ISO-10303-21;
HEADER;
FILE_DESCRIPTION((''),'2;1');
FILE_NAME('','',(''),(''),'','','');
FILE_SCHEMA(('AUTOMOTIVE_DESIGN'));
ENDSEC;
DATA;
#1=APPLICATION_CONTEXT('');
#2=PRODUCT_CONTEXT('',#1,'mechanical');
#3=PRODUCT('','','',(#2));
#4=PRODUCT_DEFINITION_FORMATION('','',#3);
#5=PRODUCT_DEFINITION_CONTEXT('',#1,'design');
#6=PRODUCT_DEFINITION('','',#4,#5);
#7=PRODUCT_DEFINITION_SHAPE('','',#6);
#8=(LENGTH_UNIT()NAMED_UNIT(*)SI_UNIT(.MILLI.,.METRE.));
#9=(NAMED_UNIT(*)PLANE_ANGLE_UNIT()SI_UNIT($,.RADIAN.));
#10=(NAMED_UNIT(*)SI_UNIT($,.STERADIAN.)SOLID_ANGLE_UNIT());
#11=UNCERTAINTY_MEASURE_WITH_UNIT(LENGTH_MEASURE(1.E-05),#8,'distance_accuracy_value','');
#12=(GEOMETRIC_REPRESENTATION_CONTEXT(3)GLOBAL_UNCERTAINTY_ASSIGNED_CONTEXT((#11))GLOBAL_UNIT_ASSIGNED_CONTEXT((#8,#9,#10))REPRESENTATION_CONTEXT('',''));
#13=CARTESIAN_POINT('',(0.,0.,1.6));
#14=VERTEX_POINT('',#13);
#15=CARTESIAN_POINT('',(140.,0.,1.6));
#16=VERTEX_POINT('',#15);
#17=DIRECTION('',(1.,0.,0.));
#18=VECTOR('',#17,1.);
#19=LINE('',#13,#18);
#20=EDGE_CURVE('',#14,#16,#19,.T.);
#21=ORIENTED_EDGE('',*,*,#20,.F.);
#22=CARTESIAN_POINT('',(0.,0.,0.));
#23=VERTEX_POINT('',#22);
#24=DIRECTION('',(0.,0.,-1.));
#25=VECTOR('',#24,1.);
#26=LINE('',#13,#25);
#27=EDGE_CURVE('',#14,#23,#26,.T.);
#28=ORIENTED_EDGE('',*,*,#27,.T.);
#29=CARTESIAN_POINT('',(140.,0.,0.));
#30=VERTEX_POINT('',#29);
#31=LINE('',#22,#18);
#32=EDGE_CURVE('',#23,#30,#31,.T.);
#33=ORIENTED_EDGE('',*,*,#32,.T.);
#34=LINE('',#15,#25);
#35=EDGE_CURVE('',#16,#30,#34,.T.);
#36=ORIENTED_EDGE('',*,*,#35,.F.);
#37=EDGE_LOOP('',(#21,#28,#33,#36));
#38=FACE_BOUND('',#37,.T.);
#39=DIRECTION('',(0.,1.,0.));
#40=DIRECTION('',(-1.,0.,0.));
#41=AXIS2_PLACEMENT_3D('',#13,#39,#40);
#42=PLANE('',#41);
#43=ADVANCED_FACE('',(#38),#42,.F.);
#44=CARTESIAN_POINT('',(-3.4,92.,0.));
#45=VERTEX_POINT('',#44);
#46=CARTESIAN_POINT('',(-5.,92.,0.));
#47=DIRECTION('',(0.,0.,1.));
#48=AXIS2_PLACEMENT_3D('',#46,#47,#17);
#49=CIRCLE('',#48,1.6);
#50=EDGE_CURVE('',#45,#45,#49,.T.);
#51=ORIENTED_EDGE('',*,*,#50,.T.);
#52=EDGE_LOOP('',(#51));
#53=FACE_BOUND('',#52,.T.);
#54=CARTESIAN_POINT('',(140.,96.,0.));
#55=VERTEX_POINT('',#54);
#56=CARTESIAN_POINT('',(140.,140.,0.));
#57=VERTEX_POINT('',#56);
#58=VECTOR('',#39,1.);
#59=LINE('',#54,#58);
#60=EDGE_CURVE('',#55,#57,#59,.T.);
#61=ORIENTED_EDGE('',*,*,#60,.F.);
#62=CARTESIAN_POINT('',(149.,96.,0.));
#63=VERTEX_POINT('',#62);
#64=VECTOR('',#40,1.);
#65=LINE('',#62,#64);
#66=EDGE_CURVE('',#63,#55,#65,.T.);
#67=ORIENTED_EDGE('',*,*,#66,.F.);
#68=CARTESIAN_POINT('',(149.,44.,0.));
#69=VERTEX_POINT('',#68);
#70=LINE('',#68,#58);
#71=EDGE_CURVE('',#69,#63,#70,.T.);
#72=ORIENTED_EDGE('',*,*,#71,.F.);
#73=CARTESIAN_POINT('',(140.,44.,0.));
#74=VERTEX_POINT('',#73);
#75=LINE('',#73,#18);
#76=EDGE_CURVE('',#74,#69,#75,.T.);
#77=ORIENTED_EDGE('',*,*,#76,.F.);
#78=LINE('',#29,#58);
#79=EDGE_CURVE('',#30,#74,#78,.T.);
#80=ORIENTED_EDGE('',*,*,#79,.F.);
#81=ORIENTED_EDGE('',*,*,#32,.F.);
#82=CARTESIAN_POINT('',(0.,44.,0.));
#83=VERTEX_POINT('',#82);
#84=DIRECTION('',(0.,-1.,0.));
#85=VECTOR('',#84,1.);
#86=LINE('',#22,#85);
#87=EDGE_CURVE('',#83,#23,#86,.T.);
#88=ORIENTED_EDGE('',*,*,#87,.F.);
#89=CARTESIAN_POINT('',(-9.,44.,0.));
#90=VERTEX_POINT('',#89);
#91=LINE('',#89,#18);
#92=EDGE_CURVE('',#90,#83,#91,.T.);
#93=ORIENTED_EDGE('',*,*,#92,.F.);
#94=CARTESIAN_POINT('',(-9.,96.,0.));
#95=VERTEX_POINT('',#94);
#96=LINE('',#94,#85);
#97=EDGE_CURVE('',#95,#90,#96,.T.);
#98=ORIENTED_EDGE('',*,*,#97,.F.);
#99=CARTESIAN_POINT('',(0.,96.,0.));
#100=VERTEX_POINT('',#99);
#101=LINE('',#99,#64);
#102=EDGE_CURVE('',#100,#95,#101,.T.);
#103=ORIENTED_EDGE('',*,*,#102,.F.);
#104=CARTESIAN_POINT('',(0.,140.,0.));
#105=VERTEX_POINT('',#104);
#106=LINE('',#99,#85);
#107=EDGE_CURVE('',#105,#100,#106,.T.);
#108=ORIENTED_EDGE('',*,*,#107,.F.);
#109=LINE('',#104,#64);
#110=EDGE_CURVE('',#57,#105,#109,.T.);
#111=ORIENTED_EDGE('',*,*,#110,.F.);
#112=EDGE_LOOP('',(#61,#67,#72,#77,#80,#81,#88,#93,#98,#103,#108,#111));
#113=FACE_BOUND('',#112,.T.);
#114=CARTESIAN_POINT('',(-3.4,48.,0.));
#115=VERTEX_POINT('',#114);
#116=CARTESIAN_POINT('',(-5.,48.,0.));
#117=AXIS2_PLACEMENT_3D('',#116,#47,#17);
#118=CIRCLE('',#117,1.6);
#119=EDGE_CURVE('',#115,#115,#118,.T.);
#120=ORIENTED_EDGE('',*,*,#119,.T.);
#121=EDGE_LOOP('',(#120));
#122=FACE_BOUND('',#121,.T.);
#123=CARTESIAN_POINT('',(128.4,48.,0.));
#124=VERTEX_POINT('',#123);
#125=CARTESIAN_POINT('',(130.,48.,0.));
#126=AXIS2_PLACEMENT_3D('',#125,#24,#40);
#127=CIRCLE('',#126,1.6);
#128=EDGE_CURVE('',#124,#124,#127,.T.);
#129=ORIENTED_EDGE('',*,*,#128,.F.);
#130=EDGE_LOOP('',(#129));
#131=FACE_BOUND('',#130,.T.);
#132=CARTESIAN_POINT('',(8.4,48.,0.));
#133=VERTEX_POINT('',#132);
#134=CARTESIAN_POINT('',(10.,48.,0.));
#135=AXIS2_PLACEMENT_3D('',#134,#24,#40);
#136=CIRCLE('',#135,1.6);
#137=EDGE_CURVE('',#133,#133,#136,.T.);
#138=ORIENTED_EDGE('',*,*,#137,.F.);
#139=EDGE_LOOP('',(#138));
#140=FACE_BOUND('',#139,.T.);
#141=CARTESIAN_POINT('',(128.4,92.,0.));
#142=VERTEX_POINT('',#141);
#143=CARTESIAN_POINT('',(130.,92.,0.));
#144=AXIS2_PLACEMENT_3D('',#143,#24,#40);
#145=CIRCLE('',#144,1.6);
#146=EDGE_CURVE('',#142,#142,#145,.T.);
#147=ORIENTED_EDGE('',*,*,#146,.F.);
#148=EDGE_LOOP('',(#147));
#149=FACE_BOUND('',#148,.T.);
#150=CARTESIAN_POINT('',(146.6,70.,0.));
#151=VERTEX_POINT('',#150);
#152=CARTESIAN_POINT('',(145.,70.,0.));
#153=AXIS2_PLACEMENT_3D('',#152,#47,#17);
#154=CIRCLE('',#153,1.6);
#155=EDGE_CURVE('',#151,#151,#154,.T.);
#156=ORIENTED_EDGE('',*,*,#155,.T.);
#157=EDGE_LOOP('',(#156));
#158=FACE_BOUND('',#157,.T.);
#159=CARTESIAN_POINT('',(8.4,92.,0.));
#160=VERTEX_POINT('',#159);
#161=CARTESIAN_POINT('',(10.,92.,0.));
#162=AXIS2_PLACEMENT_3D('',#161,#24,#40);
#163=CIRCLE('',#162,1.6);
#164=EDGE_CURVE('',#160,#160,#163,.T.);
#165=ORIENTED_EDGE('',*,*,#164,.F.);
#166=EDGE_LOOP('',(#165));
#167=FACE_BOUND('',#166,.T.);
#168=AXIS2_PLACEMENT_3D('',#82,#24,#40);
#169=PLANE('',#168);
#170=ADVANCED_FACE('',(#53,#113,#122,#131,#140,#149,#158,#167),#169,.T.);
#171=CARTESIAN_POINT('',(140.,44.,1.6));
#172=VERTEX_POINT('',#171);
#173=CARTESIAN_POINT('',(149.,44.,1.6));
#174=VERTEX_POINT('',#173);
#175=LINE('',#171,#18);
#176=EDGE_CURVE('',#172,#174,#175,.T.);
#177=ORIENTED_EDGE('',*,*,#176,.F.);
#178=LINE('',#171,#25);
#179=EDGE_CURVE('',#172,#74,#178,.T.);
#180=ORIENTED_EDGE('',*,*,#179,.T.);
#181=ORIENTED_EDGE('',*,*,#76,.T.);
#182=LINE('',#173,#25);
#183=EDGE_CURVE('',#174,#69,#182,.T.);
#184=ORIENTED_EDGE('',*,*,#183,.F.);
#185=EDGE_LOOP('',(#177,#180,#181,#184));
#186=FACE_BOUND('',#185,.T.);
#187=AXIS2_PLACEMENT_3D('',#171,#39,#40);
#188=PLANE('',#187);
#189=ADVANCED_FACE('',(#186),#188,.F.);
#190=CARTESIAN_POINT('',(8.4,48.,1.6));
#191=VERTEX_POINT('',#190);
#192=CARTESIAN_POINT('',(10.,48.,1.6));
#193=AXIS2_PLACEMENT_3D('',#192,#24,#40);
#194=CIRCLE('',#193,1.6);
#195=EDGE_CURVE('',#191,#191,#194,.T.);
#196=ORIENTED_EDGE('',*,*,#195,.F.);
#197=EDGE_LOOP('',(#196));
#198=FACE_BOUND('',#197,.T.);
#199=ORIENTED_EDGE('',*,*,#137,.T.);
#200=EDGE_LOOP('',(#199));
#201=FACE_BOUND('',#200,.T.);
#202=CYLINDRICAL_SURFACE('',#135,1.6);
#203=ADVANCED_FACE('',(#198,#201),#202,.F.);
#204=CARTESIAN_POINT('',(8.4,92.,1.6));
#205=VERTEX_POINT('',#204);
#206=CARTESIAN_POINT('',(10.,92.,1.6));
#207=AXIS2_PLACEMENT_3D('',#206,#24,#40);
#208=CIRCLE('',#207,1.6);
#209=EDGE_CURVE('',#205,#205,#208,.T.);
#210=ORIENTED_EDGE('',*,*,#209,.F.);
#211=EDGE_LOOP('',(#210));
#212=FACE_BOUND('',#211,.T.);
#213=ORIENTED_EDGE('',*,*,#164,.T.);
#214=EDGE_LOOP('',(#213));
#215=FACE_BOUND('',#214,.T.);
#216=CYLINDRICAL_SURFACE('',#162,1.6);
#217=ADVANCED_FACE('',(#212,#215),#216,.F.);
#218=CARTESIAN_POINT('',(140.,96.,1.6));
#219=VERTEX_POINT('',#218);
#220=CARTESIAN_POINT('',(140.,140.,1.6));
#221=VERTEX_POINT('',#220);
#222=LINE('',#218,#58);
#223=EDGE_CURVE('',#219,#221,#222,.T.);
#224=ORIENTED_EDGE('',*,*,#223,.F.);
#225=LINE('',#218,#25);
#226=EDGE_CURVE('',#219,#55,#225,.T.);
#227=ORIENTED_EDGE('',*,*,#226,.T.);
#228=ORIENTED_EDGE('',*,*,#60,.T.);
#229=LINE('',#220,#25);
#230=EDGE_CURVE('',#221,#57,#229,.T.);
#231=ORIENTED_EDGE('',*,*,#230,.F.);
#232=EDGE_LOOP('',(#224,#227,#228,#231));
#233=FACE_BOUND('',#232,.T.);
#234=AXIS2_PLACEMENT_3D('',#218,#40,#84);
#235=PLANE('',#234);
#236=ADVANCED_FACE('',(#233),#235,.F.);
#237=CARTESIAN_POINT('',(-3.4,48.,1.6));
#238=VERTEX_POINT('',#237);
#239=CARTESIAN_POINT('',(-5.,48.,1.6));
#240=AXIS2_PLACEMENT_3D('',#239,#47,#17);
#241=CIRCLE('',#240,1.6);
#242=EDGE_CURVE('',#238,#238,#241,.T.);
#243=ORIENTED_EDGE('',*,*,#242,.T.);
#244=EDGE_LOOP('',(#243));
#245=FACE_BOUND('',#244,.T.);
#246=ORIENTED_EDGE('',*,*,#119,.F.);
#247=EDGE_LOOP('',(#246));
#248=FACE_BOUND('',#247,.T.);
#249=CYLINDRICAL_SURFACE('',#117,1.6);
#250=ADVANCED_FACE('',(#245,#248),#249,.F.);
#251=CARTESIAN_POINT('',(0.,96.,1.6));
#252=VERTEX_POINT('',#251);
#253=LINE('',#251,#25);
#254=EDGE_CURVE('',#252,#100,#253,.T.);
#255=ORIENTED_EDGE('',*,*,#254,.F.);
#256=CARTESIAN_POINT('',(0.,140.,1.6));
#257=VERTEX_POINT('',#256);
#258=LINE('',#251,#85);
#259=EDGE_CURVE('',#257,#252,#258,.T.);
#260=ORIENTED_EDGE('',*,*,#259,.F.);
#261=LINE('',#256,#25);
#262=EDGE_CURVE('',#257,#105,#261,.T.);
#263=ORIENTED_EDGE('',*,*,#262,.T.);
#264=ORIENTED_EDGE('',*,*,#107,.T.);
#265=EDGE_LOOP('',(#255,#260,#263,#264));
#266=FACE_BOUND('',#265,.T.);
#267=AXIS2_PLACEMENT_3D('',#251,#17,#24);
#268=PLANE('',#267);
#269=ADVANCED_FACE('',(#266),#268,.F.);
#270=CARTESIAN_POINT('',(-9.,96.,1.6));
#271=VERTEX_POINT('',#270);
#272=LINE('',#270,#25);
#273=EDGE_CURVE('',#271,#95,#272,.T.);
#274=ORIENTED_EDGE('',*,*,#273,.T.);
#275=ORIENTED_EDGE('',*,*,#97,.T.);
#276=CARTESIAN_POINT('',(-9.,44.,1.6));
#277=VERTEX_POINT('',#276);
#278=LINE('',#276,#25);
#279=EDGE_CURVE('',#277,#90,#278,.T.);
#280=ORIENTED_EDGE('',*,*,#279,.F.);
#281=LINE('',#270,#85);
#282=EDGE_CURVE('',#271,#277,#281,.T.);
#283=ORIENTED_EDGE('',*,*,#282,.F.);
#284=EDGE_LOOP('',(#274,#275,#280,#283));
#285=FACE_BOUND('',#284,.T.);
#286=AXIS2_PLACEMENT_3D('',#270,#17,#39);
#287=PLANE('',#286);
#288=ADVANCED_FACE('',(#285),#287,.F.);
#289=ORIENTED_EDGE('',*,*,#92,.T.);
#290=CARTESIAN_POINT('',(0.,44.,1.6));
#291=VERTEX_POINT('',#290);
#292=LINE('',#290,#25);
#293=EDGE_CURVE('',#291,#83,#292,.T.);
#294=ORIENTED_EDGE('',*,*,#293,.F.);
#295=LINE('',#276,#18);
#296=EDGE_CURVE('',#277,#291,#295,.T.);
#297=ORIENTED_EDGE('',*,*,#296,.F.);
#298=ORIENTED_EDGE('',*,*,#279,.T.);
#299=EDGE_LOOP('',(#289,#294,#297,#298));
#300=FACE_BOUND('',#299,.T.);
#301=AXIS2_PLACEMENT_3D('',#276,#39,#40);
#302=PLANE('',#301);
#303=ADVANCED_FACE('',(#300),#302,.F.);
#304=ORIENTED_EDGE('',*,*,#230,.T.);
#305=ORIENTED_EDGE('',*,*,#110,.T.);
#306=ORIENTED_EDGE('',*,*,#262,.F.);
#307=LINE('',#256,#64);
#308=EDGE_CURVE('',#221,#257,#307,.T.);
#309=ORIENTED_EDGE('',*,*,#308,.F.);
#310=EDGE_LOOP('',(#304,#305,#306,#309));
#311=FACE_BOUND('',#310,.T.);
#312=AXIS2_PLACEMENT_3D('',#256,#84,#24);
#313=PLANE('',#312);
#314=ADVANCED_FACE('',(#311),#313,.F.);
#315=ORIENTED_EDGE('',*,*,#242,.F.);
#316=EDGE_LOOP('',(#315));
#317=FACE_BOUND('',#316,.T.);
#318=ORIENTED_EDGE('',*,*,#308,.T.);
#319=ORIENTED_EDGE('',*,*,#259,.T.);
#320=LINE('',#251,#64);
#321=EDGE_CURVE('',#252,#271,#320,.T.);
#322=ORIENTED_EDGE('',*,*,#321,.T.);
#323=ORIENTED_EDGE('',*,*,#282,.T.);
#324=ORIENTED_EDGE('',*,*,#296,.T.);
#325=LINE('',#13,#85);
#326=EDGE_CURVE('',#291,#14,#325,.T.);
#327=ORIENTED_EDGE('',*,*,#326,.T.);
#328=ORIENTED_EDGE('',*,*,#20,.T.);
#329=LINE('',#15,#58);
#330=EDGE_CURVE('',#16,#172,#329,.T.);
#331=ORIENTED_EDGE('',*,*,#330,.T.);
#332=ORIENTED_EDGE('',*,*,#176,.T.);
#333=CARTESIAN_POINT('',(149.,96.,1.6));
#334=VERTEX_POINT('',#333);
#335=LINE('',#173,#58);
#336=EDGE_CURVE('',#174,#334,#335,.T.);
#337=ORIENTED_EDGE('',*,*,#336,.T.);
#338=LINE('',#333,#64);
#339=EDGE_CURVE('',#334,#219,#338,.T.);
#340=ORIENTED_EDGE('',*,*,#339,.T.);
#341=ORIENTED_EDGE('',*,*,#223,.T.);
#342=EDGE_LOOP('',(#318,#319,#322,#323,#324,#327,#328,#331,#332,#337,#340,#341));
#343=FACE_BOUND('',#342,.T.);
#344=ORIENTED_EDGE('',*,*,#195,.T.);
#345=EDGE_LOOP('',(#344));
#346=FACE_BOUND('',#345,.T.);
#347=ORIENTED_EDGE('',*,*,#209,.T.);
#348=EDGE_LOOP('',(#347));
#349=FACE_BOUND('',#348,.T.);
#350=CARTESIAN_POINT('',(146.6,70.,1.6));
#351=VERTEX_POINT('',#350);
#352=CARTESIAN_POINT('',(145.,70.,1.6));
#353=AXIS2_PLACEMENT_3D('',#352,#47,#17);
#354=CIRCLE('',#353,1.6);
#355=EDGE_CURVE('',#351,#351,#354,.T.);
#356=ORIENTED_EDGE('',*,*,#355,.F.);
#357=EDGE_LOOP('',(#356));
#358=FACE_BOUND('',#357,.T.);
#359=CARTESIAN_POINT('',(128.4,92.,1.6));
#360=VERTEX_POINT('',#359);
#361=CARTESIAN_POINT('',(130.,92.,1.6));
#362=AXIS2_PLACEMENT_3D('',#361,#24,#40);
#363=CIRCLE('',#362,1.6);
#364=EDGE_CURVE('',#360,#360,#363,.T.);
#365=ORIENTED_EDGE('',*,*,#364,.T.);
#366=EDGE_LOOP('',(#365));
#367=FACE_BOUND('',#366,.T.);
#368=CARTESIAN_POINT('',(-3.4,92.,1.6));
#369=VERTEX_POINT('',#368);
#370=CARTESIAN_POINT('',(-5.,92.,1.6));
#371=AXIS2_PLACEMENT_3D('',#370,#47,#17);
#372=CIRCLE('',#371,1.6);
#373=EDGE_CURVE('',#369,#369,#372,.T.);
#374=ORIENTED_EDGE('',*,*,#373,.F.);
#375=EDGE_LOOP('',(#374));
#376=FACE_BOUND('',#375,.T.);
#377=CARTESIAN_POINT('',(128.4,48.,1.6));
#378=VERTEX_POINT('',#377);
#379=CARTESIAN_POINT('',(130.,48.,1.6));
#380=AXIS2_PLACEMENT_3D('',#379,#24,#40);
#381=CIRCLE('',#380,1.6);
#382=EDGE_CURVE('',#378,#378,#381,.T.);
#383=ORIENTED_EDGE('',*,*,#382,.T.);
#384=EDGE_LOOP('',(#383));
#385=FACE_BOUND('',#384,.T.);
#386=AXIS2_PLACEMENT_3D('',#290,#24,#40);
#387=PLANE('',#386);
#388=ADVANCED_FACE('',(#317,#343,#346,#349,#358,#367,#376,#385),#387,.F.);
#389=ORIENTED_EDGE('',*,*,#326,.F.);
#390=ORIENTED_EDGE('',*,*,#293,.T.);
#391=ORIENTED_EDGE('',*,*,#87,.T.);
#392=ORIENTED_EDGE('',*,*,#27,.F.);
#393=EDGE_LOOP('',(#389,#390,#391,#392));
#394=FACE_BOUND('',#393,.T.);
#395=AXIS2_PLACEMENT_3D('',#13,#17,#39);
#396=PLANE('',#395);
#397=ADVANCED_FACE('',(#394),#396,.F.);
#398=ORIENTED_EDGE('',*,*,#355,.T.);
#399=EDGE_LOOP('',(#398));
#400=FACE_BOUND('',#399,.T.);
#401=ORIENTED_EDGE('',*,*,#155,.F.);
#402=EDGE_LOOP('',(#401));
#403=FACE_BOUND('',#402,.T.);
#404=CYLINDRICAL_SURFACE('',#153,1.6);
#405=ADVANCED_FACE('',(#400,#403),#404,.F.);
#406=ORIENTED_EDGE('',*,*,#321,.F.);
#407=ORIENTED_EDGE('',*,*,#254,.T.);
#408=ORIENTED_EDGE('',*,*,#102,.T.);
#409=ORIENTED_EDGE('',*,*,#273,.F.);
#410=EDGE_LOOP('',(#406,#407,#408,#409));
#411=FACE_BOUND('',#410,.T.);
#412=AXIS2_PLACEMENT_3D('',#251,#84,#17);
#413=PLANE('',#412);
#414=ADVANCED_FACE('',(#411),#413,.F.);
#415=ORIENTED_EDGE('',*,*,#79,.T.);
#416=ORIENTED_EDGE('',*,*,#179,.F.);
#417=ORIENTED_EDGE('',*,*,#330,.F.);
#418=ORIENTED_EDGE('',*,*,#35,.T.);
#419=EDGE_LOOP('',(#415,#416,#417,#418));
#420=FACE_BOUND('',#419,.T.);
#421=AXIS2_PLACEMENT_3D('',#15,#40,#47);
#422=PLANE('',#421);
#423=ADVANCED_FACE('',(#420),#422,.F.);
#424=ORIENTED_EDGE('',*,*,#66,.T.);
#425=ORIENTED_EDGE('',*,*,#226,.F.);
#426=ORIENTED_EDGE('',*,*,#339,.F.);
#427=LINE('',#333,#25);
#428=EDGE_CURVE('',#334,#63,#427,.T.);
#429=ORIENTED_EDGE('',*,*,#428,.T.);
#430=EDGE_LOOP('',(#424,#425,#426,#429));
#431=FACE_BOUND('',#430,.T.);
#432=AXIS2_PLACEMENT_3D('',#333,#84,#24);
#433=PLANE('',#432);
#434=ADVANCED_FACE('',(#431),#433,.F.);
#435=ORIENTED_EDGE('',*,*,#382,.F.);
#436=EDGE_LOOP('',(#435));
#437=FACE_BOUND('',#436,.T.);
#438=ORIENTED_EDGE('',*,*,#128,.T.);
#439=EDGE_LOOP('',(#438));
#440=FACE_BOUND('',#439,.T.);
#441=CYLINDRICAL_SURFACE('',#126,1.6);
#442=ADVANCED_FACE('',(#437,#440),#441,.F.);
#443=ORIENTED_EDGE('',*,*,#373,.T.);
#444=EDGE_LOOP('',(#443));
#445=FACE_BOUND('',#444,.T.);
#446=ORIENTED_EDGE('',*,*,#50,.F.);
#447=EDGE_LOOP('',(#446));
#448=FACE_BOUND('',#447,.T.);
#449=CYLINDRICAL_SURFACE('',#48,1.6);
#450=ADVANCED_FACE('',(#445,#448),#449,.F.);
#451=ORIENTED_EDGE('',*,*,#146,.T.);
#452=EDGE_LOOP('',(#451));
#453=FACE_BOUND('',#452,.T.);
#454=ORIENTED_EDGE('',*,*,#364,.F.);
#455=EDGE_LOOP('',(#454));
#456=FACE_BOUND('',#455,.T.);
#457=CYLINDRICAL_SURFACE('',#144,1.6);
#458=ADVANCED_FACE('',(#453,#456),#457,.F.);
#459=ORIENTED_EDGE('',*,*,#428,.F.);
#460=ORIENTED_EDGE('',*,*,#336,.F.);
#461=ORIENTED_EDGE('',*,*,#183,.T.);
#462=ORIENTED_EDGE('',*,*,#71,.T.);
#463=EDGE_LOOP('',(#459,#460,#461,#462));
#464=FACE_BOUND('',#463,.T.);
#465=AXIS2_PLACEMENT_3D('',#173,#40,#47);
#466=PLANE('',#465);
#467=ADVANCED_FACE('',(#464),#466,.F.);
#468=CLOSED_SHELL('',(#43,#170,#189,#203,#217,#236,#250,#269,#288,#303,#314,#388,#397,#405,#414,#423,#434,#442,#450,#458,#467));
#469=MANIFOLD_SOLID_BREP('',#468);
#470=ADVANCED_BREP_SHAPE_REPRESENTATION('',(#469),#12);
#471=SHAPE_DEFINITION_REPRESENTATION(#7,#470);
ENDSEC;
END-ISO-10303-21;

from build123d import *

# Parameters (mm, degrees)
BOSS_EXTRUDE1_DEPTH            = 1.6
F_3_2_3_2_DIAMETER_HOLE1_D     = 3.2
F_3_2_3_2_DIAMETER_HOLE1_DEPTH = 4
F_3_2_3_2_DIAMETER_HOLE1_TIP   = 0.96137699
SKETCH8_R                      = 1.6
CUT_EXTRUDE2_DEPTH             = 205.459189082


with BuildPart() as part:
    # Sketch1 → Boss-Extrude1 (new body)
    with BuildSketch(Plane.XY):
        Polygon((0, 0), (140, 0), (140, 44), (149, 44), (149, 96), (140, 96), (140, 140), (0, 140), (0, 96), (-9, 96), (-9, 44), (0, 44), align=None)
    extrude(amount=BOSS_EXTRUDE1_DEPTH)

    # Ø3.2 (3.2) Diameter Hole1
    with Locations(Plane(origin=(0, 0, 0), x_dir=(-1, 0, 0), z_dir=(0, 0, -1))):
        with Locations((-130, 92), (-130, 48), (-10, 92), (-10, 48)):
            Hole(F_3_2_3_2_DIAMETER_HOLE1_D / 2, depth=F_3_2_3_2_DIAMETER_HOLE1_DEPTH)
            with Locations((0, 0, -(F_3_2_3_2_DIAMETER_HOLE1_DEPTH + F_3_2_3_2_DIAMETER_HOLE1_TIP / 2))):  # 118° drill point
                Cone(0, F_3_2_3_2_DIAMETER_HOLE1_D / 2, F_3_2_3_2_DIAMETER_HOLE1_TIP, mode=Mode.SUBTRACT)

    # Sketch8 → Cut-Extrude2 (cut, through all)
    with BuildSketch(Plane.XY.offset(1.6)):
        with Locations((-5, 92)):
            Circle(SKETCH8_R)
        with Locations((-5, 48)):
            Circle(SKETCH8_R)
        with Locations((145, 70)):
            Circle(SKETCH8_R)
    extrude(amount=-CUT_EXTRUDE2_DEPTH, mode=Mode.SUBTRACT)


solid = part.part
